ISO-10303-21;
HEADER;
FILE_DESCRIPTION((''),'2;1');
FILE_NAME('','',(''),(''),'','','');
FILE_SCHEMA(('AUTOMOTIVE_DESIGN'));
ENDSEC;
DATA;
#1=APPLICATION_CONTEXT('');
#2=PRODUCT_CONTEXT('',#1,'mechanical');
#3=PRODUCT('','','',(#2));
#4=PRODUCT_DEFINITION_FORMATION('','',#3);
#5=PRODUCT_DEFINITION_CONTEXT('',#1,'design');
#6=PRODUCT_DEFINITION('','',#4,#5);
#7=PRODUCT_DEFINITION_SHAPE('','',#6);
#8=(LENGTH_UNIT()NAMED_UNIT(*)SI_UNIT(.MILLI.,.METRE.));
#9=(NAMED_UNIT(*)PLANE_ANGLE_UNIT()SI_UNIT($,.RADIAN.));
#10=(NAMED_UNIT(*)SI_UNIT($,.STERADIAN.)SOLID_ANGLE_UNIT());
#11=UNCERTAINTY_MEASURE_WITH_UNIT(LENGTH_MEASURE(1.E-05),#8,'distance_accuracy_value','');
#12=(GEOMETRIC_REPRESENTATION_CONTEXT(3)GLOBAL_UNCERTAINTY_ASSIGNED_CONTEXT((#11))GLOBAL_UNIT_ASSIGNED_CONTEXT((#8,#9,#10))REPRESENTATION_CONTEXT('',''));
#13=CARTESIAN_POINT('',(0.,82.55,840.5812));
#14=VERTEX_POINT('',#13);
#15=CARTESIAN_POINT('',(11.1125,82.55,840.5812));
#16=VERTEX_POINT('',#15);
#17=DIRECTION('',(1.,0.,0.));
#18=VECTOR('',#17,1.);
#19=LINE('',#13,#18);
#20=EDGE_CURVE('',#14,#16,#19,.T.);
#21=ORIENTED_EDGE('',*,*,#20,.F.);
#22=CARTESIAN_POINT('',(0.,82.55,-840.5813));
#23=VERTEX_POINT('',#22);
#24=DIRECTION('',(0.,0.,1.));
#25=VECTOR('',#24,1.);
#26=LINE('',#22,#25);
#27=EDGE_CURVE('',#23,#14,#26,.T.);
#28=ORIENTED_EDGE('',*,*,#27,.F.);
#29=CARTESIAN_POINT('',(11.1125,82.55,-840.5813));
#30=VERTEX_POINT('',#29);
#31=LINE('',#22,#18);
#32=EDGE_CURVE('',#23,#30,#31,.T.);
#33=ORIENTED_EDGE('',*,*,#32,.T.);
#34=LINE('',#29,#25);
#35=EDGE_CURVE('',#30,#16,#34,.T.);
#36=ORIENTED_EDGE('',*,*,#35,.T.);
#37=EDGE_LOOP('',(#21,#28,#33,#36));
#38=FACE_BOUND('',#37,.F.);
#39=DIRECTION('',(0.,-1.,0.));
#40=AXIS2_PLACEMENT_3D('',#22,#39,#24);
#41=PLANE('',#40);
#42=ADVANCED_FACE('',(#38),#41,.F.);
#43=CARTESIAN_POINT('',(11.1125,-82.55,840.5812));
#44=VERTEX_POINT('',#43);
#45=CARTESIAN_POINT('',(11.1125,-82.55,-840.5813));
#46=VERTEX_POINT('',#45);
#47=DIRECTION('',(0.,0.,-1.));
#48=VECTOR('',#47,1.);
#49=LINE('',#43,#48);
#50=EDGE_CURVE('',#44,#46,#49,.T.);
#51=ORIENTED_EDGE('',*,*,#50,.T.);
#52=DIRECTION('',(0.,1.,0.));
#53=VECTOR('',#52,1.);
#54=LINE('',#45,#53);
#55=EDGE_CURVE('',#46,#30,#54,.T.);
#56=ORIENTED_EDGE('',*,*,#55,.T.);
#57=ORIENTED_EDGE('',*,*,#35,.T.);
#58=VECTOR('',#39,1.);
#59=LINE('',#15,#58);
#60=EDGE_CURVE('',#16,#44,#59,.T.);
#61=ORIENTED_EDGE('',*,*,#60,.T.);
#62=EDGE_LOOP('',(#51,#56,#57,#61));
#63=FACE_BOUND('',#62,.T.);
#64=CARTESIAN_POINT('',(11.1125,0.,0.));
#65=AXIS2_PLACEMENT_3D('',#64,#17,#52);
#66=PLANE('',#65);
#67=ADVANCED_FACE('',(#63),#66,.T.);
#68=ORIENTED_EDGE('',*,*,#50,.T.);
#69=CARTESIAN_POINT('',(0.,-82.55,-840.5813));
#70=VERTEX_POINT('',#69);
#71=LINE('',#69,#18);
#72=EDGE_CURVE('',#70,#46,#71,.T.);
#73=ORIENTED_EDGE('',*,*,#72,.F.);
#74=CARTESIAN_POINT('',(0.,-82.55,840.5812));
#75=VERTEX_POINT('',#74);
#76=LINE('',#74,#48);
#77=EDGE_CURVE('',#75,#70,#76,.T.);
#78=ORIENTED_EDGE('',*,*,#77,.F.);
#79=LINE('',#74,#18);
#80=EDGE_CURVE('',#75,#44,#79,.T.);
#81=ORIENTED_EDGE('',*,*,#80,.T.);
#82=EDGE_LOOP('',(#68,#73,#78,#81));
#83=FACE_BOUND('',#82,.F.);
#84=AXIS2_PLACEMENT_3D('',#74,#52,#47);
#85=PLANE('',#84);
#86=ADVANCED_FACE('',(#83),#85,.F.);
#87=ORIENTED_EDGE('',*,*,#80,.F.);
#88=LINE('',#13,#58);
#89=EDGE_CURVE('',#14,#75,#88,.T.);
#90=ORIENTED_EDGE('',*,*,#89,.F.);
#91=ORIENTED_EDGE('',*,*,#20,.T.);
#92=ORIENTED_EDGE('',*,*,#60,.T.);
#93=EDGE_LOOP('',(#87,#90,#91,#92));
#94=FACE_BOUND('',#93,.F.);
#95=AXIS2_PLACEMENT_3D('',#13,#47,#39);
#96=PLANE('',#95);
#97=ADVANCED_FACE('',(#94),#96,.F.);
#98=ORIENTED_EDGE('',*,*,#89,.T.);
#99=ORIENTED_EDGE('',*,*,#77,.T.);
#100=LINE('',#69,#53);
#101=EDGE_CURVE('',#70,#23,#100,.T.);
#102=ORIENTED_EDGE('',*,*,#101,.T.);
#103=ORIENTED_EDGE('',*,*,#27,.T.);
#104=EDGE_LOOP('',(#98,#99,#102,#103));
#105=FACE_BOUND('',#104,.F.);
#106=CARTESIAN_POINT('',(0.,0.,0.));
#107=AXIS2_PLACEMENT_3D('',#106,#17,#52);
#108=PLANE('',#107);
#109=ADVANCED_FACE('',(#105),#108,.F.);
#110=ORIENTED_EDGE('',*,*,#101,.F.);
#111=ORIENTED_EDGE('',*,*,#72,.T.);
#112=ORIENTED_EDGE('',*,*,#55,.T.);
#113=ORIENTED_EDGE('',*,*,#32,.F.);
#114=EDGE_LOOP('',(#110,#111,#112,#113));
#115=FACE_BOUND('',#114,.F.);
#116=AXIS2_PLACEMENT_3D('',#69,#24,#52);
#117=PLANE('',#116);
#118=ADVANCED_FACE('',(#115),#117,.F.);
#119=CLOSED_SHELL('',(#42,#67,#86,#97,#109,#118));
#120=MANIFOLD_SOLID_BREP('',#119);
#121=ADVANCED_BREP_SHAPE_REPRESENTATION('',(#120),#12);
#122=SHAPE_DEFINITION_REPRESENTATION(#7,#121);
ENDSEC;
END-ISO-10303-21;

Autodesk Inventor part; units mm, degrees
ref_plane "YZ Plane" through (0, 0, 0) normal (1, 0, 0) x (0, 1, 0)
ref_plane "XZ Plane" through (0, 0, 0) normal (0, 1, 0) x (-1, 0, 0)
ref_plane "XY Plane" through (0, 0, 0) normal (0, 0, 1) x (1, 0, 0)
sketch "Sketch1" plane through (0, 0, 0) normal (1, 0, 0) x (0, 1, 0)
  line L0 (-82.55, 840.5812) -> (-82.55, -840.5813)
  line L1 (-82.55, -840.5813) -> (82.55, -840.5813)
  line L2 (82.55, -840.5813) -> (82.55, 840.5812)
  line L3 (82.55, 840.5812) -> (-82.55, 840.5812)
  line L4 (-82.55, 840.5812) -> (82.55, -840.5813) construction
  line L5 (-82.55, -840.5813) -> (82.55, 840.5812) construction
  point P0 (0, 0)
  dimension "d0" = 1681.1625
  dimension "d1" = 165.1
extrude "Extrusion1" add sketch "Sketch1" along normal blind 11.1125
properties part number "Home Depot Composite Slat 66 3_16 in" material "Wood (Cherry)"
